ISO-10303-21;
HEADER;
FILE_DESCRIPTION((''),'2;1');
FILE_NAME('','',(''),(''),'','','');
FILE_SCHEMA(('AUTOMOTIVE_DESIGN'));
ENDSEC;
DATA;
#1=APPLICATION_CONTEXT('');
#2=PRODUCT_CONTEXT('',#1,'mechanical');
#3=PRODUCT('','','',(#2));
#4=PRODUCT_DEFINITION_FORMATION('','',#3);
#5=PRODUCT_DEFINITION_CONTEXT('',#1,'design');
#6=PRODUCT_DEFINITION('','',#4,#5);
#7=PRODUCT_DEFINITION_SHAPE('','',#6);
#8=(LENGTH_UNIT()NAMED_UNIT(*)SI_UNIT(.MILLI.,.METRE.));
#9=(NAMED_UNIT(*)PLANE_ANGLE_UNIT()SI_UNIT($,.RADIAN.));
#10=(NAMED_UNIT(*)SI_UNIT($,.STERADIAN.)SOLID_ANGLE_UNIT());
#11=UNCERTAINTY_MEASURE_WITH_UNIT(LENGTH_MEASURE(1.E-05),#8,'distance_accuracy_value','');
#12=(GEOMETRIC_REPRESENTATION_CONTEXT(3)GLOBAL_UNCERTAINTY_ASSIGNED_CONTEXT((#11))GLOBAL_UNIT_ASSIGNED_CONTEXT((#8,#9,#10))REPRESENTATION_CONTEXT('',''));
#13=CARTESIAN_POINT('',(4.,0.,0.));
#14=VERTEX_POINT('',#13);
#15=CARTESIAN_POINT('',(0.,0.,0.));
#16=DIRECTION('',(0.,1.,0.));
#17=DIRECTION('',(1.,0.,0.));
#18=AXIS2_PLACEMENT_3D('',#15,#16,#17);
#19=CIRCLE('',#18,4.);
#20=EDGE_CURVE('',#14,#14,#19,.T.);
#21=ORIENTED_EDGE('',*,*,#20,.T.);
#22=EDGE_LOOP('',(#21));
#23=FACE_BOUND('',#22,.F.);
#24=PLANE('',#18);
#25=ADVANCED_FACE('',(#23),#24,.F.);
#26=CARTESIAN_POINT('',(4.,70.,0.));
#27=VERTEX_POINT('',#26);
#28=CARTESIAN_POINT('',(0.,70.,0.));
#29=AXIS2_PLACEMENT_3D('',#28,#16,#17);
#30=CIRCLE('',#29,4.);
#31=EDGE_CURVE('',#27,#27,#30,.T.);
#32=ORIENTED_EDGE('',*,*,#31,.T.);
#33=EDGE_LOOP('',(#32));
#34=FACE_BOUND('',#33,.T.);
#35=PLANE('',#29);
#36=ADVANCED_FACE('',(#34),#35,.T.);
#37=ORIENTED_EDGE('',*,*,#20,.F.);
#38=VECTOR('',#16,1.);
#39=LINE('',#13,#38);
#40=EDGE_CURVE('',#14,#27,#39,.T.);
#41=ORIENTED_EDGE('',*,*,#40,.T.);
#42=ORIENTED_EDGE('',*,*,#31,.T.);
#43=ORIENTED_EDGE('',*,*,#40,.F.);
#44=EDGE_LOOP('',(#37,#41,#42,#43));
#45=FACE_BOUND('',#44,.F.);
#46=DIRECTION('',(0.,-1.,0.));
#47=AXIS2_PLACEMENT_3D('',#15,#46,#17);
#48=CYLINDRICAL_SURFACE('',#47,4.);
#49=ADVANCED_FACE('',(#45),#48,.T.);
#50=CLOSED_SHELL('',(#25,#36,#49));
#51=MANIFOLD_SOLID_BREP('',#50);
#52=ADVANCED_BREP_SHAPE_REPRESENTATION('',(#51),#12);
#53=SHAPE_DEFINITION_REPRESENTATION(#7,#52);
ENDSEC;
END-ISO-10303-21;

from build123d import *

# Parameters (mm, degrees)
SKETCH_1_R      = 4
EXTRUDE_1_DEPTH = 70


with BuildPart() as part:
    # 草图1 → 凸台-拉伸1 (new body)
    with BuildSketch(Plane(origin=(0, 0, 0), x_dir=(1, 0, 0), z_dir=(0, 1, 0))):
        Circle(SKETCH_1_R)
    extrude(amount=EXTRUDE_1_DEPTH)


solid = part.part
